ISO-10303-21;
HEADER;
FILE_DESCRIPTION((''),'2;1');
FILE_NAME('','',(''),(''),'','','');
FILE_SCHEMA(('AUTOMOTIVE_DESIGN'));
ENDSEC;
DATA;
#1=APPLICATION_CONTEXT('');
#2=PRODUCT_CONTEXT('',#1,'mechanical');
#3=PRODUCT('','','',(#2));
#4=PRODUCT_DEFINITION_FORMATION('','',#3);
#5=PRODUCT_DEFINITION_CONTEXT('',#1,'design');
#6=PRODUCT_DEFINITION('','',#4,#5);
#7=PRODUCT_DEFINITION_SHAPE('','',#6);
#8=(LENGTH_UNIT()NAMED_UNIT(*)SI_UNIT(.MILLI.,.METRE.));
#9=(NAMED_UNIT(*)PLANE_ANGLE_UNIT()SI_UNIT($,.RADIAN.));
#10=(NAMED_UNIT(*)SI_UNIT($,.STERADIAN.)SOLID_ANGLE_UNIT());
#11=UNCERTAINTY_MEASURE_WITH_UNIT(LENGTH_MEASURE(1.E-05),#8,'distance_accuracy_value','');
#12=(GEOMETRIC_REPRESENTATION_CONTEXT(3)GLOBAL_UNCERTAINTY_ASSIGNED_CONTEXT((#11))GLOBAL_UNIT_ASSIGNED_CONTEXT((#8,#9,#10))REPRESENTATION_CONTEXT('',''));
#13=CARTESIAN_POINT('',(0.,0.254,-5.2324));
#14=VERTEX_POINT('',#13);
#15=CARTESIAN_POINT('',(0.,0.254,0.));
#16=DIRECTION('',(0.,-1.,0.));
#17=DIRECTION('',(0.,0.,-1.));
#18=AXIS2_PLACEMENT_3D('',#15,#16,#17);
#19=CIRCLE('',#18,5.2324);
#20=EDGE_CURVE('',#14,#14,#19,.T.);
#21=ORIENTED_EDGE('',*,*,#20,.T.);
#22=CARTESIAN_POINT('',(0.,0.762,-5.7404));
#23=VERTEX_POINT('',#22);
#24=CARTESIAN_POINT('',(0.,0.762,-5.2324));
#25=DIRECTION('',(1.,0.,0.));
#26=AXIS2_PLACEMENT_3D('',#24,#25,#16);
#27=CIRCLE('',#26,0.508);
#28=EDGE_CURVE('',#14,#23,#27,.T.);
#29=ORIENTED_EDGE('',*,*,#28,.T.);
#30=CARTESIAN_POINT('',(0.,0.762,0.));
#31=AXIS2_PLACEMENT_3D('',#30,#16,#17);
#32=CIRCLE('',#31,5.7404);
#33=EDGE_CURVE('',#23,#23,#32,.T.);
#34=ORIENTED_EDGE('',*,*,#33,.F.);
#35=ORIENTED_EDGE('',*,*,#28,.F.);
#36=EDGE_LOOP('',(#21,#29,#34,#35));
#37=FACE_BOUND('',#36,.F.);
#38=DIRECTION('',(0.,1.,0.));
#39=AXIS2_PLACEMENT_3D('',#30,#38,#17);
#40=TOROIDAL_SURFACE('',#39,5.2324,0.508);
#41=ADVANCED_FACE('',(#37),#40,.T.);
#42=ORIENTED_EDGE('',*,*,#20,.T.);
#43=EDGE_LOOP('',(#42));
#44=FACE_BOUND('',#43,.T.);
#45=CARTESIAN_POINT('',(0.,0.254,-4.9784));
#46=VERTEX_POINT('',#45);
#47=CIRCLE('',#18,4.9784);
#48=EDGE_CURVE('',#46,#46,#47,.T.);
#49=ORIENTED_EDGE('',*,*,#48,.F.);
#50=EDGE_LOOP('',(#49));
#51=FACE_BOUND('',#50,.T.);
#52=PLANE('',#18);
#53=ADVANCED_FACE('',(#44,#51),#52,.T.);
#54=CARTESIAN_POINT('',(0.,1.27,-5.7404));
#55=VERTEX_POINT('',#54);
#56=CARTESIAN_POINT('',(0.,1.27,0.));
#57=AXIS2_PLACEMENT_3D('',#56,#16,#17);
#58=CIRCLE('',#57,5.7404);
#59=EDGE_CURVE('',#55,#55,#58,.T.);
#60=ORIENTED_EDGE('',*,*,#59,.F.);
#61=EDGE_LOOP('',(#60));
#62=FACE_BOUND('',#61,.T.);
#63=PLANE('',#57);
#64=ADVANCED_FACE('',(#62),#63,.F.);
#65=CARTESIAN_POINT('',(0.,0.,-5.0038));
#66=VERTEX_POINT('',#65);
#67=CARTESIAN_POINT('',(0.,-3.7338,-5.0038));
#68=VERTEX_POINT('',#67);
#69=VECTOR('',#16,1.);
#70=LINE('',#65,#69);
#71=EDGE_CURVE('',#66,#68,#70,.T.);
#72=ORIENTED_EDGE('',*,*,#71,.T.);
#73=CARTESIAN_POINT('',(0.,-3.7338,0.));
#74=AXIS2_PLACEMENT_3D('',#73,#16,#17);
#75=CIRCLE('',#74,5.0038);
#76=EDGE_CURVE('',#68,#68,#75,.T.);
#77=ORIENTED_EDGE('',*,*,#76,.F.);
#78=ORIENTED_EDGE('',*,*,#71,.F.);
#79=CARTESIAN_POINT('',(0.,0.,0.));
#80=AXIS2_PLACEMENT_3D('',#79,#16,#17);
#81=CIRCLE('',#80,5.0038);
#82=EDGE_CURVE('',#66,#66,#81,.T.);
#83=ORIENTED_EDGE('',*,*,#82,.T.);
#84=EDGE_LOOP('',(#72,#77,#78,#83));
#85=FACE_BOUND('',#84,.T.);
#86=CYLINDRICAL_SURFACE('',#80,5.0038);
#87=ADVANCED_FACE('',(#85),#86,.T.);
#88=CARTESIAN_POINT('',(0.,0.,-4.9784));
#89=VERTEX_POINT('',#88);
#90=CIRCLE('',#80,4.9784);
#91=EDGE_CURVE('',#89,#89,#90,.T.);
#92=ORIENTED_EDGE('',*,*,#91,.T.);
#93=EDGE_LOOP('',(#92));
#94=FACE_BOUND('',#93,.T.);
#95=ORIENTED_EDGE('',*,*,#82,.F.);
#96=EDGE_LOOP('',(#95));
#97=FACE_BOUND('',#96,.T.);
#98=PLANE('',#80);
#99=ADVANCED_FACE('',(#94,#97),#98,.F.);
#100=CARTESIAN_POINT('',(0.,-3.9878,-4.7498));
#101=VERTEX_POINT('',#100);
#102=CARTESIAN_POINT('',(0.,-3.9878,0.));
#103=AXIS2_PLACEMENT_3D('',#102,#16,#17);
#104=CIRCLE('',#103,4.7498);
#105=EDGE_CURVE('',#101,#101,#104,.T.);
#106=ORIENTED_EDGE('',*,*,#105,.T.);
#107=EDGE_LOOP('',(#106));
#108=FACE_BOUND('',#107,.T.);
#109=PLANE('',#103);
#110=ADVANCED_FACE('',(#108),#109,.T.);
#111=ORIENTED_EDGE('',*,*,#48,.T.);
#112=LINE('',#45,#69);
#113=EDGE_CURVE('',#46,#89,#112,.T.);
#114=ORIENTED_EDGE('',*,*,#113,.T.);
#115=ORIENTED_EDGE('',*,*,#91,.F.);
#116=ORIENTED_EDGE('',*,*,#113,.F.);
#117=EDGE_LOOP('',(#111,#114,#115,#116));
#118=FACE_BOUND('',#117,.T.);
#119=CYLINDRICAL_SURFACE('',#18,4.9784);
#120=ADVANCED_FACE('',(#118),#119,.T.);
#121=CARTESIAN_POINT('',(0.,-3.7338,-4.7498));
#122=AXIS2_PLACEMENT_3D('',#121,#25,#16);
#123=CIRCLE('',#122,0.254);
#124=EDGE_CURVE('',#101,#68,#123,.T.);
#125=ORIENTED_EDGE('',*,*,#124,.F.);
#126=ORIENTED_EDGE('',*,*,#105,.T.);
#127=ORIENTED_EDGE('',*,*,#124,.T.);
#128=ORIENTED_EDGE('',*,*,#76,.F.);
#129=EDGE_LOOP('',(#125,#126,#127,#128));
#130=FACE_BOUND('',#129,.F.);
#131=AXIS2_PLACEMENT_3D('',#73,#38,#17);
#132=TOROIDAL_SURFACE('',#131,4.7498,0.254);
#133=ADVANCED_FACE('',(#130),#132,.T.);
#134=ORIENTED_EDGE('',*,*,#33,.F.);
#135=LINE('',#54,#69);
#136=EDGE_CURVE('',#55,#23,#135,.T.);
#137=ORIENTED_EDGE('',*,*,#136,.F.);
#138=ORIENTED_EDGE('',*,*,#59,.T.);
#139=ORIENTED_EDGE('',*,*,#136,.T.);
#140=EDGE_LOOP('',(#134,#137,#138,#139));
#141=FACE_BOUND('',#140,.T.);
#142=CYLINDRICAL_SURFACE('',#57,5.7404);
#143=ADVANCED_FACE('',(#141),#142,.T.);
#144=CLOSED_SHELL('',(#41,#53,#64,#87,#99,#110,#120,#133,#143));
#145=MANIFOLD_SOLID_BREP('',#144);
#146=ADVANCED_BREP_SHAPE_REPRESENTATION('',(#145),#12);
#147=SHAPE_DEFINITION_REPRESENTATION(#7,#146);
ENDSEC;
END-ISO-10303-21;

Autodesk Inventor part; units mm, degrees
sketch "Sketch_2" plane through (0, 0, 0) normal (1, 0, 0) x (0, 1, 0)
  line L0 (-3.9878, 0) -> (0, 0)
  line L1 (0, 0) -> (0, -5.0038)
  line L2 (0, -5.0038) -> (-3.7338, -5.0038)
  arc A0 (-3.9878, -4.7498) -> (-3.7338, -5.0038) centre (-3.7338, -4.7498) ccw
  line L3 (-3.9878, -4.7498) -> (-3.9878, 0)
  line L4 (-3.9878, 0) -> (0, 0)
revolve "Revolution1" add sketch "Sketch_2" angle 360 about axis through (0, -3.9878, 0) along (0, -1, 0)
sketch "Sketch_4" plane through (0, 0, 0) normal (1, 0, 0) x (0, 1, 0)
  line L0 (-0.254, 0) -> (1.27, 0)
  line L1 (1.27, 0) -> (1.27, -5.7404)
  line L2 (1.27, -5.7404) -> (0.762, -5.7404)
  arc A0 (0.254, -5.2324) -> (0.762, -5.7404) centre (0.762, -5.2324) ccw
  line L3 (0.254, -5.2324) -> (0.254, -4.9784)
  line L4 (0.254, -4.9784) -> (-0.254, -4.9784)
  line L5 (-0.254, -4.9784) -> (-0.254, 0)
  line L6 (-0.254, 0) -> (1.27, 0)
revolve "Revolution2" add sketch "Sketch_4" angle 360 about axis through (0, -0.254, 0) along (0, -1, 0)
ref_plane "to_body_XY" through (0, 0, 0) normal (0, -1, 0) x (1, 0, 0)
ref_plane "to_body_YZ" through (0, 0, 0) normal (1, 0, 0) x (0, 0, 1)
ref_plane "to_body_ZX" through (0, 0, 0) normal (0, 0, 1) x (0, -1, 0)
ref_plane "to_trmnls_XY" through (0, -3.7338, 0) normal (0, 1, 0) x (1, 0, 0)
ref_plane "to_trmnls_YZ" through (0, -3.7338, 0) normal (1, 0, 0) x (0, 0, -1)
ref_plane "to_trmnls_ZX" through (0, -3.7338, 0) normal (0, 0, -1) x (0, 1, 0)
properties part number "SB40-trmnl_hold"
